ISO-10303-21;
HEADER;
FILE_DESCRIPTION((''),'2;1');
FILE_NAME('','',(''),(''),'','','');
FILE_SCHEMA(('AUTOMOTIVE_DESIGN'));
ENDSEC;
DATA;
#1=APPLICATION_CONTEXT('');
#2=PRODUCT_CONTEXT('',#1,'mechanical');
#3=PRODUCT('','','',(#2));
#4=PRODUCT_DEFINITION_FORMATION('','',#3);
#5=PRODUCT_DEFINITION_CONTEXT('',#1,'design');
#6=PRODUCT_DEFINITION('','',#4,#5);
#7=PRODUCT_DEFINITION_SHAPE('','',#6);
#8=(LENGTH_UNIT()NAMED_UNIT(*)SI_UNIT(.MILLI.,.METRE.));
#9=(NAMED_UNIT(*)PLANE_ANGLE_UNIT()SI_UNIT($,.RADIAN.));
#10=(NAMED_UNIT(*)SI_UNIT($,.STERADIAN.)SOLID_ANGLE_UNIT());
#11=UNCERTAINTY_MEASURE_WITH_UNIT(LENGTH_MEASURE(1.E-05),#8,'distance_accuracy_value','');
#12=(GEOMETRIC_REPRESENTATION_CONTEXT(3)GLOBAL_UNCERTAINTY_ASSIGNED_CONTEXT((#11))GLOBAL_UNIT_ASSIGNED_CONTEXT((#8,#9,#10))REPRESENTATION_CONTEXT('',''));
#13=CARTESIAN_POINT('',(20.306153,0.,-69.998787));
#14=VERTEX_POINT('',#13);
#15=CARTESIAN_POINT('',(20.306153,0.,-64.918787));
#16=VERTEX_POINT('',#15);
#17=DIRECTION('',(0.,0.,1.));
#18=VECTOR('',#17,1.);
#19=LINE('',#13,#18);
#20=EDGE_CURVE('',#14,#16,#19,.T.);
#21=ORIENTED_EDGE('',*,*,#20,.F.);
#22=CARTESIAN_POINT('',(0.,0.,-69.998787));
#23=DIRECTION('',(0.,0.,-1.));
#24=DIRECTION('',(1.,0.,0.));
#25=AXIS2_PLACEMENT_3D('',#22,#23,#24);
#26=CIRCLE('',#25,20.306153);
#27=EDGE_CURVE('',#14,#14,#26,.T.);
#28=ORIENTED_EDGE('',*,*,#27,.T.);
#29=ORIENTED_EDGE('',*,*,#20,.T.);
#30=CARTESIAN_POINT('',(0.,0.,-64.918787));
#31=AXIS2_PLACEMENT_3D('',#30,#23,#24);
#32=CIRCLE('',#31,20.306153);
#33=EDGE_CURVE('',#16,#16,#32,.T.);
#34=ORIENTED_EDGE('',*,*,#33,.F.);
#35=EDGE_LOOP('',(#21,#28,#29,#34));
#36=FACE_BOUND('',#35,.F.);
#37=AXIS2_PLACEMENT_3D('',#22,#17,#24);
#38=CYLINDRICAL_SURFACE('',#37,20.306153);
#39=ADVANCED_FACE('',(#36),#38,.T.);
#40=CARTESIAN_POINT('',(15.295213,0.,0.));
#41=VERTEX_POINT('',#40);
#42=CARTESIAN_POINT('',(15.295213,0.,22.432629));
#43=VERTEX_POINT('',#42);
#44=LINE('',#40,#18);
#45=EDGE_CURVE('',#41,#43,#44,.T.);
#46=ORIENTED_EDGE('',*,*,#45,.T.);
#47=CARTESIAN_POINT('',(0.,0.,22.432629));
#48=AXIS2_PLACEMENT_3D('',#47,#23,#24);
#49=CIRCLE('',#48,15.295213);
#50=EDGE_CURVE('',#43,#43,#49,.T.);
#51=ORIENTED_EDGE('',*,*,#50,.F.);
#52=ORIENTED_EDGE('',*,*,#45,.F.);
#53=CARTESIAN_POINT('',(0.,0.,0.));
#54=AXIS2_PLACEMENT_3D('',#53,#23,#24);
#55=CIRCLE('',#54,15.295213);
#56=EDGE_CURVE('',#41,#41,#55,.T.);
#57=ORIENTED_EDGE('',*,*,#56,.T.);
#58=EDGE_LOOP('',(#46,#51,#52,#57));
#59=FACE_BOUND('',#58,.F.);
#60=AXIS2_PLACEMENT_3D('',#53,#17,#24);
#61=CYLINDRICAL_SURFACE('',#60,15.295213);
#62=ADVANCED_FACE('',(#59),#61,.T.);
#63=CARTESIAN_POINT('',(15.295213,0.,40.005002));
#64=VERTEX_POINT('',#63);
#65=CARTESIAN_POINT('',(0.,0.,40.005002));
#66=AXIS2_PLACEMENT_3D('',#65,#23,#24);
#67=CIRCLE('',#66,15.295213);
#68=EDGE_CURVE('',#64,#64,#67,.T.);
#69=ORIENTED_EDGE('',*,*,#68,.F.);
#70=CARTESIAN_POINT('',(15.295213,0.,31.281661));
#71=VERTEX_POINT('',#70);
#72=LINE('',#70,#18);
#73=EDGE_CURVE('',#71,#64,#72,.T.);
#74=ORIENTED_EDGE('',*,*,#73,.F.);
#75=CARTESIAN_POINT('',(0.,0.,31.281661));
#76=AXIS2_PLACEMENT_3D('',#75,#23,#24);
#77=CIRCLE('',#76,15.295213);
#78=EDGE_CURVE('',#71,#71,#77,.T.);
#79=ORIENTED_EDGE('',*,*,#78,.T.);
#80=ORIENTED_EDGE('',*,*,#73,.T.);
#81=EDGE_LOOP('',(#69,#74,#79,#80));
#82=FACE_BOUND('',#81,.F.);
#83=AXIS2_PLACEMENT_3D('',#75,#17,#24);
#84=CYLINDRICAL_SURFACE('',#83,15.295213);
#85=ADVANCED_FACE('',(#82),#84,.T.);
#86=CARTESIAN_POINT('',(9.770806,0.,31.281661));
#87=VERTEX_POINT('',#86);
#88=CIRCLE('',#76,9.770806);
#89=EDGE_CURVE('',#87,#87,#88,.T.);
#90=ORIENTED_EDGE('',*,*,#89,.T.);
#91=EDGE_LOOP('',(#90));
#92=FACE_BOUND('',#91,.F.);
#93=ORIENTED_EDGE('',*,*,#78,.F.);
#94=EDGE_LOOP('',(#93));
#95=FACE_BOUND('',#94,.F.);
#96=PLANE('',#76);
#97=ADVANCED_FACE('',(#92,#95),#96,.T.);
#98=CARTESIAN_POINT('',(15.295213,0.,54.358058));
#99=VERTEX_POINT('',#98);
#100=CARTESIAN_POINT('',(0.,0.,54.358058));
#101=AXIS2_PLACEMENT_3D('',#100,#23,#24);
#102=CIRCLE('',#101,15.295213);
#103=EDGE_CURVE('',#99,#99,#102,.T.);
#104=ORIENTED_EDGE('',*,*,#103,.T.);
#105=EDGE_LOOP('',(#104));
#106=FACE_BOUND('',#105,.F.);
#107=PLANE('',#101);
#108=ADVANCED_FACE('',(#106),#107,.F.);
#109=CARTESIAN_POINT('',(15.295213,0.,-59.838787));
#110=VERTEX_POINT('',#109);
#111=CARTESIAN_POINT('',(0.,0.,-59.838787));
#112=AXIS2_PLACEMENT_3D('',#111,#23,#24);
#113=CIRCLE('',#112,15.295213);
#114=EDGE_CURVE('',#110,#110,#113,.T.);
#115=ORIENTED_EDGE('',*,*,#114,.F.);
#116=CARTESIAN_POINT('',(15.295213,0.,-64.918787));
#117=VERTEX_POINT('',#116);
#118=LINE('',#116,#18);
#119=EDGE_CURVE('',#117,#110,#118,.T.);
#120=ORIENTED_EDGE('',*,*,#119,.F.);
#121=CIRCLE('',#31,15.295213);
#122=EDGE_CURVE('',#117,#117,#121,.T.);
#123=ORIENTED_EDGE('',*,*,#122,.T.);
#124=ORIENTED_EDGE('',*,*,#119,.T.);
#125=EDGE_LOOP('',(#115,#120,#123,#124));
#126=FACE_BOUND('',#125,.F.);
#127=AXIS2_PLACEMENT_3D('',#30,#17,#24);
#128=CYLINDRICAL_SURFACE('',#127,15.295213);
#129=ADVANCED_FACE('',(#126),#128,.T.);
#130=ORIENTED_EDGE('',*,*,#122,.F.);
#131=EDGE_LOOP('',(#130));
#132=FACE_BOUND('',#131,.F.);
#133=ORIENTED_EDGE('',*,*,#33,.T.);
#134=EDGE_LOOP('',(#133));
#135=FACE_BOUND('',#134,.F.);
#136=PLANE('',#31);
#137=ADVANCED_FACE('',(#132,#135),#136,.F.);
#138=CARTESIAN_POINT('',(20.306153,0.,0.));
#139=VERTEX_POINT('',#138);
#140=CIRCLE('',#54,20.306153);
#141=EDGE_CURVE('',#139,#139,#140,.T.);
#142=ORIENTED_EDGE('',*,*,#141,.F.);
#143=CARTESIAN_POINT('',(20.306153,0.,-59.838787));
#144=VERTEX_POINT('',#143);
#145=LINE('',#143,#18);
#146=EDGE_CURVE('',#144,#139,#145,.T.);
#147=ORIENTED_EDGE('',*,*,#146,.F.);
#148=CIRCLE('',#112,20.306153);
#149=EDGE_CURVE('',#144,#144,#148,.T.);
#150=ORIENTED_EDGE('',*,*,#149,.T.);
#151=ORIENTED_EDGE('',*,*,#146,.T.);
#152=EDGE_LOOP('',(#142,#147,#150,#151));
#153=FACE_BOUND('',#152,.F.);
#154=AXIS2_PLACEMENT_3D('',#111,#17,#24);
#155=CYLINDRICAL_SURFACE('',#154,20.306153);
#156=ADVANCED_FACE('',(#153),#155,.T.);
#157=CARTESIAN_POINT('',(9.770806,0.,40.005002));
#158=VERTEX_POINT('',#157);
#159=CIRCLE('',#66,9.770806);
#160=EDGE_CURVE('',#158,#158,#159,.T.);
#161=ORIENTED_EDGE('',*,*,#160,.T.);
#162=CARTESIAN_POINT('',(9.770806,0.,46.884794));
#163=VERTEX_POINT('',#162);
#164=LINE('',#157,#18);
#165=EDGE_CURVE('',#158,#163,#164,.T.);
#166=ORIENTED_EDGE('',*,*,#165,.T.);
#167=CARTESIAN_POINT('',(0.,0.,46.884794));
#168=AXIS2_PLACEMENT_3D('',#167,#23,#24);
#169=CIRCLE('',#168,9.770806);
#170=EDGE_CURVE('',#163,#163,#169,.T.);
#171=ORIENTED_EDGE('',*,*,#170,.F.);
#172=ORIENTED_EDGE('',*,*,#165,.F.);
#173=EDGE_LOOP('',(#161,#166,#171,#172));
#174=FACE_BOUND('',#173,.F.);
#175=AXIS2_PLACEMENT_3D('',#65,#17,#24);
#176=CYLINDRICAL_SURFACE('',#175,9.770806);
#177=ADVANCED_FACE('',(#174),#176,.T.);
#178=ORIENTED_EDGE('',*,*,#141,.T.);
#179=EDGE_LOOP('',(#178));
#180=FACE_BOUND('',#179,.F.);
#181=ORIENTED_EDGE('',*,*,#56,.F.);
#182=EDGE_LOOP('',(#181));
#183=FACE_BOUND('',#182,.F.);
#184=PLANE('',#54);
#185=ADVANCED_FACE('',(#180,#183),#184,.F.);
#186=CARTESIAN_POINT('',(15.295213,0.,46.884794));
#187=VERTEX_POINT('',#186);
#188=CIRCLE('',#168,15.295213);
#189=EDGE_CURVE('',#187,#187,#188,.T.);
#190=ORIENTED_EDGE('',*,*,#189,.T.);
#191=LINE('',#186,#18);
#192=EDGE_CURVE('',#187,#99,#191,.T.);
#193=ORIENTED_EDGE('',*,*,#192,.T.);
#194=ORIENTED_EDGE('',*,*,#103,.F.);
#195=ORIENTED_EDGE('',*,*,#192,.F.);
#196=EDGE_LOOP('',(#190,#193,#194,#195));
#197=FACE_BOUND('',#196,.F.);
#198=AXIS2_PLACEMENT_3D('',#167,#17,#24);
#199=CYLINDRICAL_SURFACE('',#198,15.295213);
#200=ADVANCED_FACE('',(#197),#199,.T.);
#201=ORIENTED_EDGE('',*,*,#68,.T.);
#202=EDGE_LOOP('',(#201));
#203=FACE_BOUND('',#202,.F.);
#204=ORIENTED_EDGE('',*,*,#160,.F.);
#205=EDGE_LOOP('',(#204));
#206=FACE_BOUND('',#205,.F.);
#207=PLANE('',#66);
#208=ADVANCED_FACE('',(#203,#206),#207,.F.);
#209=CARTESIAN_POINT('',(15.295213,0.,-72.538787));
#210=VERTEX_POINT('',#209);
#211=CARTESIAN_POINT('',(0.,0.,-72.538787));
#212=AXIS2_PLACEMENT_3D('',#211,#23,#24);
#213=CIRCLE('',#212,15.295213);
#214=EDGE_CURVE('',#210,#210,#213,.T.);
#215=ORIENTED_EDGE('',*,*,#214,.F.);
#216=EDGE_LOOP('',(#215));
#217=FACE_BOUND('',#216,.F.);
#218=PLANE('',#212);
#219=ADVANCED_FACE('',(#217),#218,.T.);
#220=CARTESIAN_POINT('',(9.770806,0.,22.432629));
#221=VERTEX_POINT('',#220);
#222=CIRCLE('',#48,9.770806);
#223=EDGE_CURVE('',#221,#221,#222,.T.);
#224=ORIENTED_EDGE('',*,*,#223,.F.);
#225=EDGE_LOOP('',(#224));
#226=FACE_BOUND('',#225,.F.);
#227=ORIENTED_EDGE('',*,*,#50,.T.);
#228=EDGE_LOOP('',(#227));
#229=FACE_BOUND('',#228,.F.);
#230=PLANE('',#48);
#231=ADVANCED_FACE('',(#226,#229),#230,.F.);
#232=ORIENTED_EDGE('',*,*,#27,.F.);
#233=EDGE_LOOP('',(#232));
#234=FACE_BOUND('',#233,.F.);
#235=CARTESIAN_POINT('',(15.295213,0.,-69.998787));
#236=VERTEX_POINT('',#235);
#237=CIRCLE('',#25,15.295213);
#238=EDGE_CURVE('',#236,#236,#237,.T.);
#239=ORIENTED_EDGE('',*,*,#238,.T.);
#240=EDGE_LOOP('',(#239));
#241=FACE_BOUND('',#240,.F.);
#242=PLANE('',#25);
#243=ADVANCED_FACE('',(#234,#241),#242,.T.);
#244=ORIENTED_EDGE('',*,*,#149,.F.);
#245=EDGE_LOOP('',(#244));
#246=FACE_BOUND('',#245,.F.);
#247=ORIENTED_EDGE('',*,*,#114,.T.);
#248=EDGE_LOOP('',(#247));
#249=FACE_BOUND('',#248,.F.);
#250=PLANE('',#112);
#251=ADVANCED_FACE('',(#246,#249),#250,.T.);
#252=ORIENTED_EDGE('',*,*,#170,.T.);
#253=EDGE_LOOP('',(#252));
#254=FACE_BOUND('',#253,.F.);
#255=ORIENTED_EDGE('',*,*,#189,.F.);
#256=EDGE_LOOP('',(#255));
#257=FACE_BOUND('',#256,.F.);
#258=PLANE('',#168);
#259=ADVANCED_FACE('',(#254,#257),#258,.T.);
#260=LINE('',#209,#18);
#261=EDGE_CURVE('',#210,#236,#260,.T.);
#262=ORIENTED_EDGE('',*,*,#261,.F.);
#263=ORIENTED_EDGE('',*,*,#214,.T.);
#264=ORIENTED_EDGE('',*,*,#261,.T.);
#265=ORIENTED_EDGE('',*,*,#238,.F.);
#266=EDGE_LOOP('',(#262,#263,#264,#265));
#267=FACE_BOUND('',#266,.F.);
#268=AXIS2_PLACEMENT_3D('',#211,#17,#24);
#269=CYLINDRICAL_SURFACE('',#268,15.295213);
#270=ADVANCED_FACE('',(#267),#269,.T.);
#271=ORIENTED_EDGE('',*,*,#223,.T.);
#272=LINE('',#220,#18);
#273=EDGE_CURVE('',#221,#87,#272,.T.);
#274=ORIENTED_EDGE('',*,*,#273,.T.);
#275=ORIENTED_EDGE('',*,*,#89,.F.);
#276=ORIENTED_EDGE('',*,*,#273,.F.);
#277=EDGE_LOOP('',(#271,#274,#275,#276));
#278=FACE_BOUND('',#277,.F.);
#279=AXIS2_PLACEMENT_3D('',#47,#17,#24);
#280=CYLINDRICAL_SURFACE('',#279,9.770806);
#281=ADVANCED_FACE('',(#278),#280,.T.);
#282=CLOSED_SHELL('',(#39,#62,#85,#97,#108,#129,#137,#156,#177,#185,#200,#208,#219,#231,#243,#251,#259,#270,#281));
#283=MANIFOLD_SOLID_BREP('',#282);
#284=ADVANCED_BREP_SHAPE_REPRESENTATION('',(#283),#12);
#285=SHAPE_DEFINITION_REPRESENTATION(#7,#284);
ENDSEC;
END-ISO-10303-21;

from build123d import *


with BuildPart() as f1:
    # F0 (on Front) → F1 (revolve)
    with BuildSketch(Plane.XZ):
        Polygon((15.295213, 54.358058), (0, 54.358058), (0, -72.538787), (15.295213, -72.538787), (15.295213, -69.998787), (20.306153, -69.998787), (20.306153, -64.918787), (15.295213, -64.918787), (15.295213, -59.838787), (20.306153, -59.838787), (20.306153, 0), (15.295213, 0), (15.295213, 22.432629), (9.770806, 22.432629), (9.770806, 31.281661), (15.295213, 31.281661), (15.295213, 40.005002), (9.770806, 40.005002), (9.770806, 46.884794), (15.295213, 46.884794), align=None)
    revolve(axis=Axis((0, 0, -9.090364), (0, 0, -1)))


solid = f1.part
